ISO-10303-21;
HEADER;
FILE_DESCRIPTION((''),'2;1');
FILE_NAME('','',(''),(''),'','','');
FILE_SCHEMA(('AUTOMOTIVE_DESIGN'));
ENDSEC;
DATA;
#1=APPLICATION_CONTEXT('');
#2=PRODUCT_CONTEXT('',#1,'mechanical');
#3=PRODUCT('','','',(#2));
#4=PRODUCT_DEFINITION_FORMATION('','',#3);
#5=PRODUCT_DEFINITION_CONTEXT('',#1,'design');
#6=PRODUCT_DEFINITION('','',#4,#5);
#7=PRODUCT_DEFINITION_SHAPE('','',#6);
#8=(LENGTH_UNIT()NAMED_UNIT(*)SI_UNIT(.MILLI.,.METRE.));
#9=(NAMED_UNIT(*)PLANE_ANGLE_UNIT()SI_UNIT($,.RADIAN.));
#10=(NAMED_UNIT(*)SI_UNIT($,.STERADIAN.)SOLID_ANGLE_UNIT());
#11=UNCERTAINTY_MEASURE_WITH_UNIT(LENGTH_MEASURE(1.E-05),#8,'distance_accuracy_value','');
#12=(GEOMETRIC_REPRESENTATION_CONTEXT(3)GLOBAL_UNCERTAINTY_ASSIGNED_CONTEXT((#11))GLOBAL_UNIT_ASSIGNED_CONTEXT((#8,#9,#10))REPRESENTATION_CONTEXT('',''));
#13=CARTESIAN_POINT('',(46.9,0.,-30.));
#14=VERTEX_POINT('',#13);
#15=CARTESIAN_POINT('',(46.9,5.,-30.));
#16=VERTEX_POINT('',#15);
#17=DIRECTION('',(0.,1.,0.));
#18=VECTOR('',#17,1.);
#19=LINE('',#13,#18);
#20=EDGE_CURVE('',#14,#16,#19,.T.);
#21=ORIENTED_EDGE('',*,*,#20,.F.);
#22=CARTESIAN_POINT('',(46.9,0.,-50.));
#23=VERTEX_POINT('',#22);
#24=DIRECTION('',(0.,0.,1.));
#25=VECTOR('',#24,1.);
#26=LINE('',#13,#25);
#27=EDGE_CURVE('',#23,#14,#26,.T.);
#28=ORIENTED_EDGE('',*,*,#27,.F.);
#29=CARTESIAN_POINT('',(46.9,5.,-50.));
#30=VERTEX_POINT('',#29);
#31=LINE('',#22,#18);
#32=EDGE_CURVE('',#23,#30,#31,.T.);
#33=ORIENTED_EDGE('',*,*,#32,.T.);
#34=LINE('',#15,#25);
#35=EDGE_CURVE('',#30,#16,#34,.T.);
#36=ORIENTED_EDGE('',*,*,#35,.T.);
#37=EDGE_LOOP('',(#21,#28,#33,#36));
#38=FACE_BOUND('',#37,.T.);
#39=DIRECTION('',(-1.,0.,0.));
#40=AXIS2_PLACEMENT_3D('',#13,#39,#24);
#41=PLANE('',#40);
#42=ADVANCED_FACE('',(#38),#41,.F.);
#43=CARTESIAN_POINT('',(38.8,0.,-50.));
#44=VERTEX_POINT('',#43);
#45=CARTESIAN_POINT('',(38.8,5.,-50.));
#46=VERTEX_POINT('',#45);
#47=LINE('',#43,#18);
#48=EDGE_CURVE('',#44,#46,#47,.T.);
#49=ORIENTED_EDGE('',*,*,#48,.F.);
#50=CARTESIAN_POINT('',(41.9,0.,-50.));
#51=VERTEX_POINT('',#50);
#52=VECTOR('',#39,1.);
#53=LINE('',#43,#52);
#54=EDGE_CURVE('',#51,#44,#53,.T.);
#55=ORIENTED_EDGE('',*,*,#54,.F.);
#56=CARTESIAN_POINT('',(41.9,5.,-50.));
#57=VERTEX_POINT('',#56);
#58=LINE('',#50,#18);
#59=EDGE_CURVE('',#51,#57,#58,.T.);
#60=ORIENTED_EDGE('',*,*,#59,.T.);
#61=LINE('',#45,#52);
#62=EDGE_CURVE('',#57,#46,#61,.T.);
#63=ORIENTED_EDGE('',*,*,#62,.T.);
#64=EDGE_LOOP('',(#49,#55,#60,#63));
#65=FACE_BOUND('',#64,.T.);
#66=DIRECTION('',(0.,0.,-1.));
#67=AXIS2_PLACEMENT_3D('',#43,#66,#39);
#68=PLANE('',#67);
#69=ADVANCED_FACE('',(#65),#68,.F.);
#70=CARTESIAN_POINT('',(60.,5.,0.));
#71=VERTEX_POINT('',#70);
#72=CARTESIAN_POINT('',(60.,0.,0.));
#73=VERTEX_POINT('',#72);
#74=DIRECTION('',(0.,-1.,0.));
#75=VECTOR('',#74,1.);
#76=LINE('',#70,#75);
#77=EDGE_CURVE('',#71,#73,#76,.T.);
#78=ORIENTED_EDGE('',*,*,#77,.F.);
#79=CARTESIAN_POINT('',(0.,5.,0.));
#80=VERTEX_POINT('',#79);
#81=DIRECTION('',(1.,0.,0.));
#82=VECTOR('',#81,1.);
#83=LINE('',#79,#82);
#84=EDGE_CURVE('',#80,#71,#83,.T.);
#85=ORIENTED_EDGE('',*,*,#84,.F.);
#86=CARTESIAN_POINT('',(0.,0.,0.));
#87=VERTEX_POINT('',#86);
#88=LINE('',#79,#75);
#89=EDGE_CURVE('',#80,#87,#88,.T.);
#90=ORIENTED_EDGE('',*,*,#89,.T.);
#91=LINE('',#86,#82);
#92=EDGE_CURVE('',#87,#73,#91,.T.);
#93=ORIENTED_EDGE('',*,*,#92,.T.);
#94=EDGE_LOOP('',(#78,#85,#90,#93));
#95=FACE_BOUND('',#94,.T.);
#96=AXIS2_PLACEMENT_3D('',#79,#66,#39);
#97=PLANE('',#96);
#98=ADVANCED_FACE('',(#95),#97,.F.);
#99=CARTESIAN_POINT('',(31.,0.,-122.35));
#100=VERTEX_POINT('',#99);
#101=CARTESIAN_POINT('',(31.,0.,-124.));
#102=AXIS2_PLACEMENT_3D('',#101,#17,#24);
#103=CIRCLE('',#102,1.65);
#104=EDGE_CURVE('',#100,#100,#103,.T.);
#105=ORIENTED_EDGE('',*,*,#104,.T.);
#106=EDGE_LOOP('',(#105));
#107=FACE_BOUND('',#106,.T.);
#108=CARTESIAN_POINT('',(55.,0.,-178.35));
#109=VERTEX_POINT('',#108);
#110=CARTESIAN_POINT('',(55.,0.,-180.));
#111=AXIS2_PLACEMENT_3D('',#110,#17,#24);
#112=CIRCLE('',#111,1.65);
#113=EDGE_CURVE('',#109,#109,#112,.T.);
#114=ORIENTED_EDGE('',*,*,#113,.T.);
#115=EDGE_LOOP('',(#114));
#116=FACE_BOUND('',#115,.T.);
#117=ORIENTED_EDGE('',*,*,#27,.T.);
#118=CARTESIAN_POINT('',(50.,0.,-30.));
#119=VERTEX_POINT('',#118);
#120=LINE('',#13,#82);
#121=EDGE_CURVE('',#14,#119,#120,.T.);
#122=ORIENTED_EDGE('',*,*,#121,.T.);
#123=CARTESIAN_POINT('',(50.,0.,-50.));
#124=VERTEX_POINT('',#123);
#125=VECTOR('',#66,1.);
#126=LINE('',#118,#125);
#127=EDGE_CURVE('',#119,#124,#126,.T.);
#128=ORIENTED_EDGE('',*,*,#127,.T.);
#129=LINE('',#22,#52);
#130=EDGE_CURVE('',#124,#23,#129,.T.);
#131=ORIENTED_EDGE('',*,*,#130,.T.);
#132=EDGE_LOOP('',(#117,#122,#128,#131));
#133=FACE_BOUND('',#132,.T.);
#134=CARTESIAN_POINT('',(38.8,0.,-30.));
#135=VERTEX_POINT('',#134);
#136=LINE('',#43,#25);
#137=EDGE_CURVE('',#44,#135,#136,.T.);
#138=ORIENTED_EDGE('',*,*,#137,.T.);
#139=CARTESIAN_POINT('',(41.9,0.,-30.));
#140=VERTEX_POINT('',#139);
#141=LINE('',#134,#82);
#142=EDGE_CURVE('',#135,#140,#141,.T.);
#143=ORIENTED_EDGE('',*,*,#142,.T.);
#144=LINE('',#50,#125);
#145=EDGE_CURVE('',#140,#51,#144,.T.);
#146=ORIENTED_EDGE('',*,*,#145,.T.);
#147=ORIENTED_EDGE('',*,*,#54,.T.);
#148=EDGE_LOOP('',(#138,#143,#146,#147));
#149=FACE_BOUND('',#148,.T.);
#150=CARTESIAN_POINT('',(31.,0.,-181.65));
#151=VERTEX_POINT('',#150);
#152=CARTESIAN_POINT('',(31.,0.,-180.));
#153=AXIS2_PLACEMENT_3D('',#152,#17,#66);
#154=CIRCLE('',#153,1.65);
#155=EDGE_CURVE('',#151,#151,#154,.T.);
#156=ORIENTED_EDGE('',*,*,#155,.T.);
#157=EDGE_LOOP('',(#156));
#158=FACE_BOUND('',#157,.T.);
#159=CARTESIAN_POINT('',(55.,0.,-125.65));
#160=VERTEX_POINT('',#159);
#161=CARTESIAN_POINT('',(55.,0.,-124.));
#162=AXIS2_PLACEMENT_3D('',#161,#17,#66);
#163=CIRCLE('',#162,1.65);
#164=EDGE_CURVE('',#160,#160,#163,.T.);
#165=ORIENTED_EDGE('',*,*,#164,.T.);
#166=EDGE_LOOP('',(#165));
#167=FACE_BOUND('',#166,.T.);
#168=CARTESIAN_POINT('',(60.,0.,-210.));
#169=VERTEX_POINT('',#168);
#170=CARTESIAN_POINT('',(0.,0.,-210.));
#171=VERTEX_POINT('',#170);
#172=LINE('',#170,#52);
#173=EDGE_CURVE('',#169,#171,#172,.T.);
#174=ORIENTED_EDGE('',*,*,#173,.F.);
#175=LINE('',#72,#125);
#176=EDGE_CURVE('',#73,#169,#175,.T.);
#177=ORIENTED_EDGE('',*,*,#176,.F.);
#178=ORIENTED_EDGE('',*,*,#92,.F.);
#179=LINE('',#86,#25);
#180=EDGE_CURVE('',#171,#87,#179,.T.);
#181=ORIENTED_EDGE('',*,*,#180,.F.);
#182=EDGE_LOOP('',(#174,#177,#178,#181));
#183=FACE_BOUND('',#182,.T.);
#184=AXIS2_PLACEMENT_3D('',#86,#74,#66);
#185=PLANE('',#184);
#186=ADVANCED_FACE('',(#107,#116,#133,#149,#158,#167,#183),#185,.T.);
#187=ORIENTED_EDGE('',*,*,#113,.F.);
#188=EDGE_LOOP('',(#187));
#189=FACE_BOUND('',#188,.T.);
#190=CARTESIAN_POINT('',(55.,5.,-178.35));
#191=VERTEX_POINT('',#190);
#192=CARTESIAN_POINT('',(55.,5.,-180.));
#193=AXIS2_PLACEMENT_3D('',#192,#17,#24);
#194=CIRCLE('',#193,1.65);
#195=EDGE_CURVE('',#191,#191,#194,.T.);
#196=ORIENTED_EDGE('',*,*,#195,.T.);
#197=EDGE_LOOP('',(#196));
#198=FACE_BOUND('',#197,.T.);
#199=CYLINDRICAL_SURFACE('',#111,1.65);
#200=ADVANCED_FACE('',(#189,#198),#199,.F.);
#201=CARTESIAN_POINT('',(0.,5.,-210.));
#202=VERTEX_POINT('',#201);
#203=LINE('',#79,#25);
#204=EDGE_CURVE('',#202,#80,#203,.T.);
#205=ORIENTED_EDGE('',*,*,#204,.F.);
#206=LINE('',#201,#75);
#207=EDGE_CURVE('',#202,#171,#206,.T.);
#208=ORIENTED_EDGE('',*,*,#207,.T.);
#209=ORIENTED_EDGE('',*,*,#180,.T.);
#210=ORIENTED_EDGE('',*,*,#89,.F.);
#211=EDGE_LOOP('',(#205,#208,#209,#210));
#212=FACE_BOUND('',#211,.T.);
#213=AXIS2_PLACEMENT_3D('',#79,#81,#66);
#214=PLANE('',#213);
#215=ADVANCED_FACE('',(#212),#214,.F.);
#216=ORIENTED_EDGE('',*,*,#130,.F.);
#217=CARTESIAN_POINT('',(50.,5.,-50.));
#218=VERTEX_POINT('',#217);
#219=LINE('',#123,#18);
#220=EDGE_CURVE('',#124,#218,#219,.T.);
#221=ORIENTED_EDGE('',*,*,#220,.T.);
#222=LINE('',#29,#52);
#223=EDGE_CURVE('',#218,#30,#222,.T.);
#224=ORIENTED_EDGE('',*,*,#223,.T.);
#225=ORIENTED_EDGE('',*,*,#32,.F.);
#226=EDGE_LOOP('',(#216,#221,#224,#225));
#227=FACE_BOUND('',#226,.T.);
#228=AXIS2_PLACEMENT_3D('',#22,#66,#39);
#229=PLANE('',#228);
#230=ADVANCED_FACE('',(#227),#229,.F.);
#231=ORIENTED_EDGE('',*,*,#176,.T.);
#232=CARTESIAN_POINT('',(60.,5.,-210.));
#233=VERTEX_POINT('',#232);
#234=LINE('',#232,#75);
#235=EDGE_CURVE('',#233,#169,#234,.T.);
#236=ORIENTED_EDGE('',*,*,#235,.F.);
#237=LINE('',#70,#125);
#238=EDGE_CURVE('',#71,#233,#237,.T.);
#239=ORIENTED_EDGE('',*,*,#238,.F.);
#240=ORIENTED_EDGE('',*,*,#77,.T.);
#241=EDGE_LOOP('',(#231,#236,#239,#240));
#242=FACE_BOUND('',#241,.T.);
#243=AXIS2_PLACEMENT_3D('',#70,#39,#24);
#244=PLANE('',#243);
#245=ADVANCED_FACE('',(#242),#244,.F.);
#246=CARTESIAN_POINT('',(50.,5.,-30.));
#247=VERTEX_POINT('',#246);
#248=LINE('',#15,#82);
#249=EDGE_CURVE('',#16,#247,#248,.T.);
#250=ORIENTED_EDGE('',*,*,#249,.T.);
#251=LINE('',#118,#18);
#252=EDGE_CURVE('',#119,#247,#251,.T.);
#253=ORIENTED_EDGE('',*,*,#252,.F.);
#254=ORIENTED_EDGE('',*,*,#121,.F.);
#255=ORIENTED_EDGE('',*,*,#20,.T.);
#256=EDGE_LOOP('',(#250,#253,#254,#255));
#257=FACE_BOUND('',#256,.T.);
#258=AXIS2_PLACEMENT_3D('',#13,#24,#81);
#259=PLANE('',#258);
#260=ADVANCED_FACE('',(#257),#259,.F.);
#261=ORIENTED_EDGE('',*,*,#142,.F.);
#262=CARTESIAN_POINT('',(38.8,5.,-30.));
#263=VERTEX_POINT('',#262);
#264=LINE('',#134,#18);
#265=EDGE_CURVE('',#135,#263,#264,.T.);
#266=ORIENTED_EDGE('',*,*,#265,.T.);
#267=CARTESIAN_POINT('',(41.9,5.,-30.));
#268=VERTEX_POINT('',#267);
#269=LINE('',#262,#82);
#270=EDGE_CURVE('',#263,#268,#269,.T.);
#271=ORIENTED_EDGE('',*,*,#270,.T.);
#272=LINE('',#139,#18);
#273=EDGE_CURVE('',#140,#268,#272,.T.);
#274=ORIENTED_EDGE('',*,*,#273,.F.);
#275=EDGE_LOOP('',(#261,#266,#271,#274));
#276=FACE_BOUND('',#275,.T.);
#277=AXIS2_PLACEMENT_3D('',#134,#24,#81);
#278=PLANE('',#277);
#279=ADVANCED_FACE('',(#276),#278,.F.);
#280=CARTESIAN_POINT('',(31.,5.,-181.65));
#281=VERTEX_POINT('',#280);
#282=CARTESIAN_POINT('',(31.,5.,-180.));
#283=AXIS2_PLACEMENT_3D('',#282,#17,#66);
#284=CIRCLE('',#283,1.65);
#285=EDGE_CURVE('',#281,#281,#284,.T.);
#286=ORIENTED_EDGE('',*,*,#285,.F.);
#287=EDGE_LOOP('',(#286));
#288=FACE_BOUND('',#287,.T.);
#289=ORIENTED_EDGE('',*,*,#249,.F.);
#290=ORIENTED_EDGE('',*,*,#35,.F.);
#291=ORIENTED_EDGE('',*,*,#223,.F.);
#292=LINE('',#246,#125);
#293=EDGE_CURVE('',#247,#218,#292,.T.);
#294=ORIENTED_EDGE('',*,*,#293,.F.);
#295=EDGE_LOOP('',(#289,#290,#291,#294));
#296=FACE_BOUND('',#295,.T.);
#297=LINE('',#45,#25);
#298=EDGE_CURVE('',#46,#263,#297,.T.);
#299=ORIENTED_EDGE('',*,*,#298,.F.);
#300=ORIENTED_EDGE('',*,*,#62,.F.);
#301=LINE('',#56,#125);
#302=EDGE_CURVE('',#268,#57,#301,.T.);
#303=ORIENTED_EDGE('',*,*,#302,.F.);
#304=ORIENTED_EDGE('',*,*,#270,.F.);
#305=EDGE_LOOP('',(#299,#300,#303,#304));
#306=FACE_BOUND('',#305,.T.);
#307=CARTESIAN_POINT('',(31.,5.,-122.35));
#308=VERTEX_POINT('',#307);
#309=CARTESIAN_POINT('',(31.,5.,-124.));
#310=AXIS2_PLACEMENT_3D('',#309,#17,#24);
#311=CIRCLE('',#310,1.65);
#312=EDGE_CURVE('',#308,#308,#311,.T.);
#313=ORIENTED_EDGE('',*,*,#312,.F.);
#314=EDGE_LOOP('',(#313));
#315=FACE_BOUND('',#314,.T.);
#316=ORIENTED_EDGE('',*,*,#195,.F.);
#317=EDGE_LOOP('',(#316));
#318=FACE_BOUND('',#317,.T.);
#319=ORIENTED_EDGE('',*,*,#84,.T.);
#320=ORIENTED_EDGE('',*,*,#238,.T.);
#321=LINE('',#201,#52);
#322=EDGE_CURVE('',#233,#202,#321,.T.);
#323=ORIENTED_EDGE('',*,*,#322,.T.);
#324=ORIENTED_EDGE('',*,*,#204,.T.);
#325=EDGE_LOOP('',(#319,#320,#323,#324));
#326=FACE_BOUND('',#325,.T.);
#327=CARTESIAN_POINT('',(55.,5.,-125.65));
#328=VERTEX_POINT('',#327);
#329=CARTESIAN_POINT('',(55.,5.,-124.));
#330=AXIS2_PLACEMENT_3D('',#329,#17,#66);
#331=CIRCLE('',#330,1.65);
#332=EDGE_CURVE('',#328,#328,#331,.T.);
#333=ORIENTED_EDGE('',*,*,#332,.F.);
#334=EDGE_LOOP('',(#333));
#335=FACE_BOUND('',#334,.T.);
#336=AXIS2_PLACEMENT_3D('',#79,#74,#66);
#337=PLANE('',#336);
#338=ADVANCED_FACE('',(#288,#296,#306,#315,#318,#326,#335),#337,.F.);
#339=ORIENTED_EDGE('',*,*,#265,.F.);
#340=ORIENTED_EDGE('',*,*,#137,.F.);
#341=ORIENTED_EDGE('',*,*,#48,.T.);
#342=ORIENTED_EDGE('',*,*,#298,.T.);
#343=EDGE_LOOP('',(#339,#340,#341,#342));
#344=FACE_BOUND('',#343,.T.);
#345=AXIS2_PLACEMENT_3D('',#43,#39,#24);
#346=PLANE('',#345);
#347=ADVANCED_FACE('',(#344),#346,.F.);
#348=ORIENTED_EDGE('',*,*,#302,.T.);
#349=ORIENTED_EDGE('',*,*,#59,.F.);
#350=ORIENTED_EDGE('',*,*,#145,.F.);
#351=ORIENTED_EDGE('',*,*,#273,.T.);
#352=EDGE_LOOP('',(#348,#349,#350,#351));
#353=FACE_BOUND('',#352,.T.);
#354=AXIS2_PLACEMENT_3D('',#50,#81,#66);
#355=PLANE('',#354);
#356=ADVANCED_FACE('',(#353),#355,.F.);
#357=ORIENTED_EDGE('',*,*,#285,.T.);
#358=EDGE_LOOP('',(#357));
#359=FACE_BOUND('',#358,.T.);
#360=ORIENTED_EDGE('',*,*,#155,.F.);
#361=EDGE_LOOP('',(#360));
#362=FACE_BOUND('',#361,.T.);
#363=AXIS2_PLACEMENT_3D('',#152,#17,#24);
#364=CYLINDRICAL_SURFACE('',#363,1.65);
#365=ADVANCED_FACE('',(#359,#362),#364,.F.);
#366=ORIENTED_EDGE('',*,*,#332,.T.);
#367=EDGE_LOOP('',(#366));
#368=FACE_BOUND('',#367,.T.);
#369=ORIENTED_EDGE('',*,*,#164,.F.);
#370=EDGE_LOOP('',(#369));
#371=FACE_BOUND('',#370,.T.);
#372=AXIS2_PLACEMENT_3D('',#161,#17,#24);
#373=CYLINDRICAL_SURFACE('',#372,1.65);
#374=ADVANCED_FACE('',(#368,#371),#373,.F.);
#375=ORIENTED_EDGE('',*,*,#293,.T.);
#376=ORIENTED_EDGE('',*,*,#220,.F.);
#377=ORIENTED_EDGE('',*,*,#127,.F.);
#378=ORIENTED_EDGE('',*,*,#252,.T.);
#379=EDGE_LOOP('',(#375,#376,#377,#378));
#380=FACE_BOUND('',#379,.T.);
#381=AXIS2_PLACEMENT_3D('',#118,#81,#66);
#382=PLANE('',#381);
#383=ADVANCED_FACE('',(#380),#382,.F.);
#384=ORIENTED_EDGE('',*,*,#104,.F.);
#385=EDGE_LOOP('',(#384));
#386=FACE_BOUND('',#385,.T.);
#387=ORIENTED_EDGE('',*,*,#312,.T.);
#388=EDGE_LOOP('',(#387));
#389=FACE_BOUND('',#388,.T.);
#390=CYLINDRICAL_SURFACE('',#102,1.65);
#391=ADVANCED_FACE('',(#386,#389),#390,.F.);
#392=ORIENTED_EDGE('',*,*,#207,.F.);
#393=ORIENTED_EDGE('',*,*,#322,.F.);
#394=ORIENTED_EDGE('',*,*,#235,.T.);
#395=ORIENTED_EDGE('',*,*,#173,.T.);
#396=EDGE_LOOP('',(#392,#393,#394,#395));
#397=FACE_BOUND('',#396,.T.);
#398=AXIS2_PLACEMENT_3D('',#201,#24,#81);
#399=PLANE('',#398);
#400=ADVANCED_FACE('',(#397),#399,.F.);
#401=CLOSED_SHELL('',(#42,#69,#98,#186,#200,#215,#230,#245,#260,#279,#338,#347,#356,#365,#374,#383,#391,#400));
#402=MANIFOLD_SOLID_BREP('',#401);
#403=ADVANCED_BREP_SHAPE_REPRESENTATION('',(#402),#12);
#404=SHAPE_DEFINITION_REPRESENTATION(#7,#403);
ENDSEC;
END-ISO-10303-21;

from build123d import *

# Parameters (mm, degrees)
SKETCH1_W           = 60
SKETCH1_H           = 210
BOSS_EXTRUDE1_DEPTH = 5
SKETCH2_W           = 3.1
SKETCH2_H           = 20
CUT_EXTRUDE1_DEPTH  = 5
SKETCH3_R           = 1.65
CUT_EXTRUDE2_DEPTH  = 5


with BuildPart() as part:
    # Sketch1 → Boss-Extrude1 (new body)
    with BuildSketch(Plane(origin=(0, 0, 0), x_dir=(1, 0, 0), z_dir=(0, 1, 0))):
        with Locations((30, 105)):
            Rectangle(SKETCH1_W, SKETCH1_H)
    extrude(amount=BOSS_EXTRUDE1_DEPTH)

    # Sketch2 → Cut-Extrude1 (cut)
    with BuildSketch(Plane(origin=(0, 5, 0), x_dir=(1, 0, 0), z_dir=(0, 1, 0))):
        with Locations((48.45, 40)):
            Rectangle(SKETCH2_W, SKETCH2_H)
        with Locations((40.35, 40)):
            Rectangle(SKETCH2_W, SKETCH2_H)
    extrude(amount=-CUT_EXTRUDE1_DEPTH, mode=Mode.SUBTRACT)

    # Sketch3 → Cut-Extrude2 (cut)
    with BuildSketch(Plane(origin=(0, 5, 0), x_dir=(1, 0, 0), z_dir=(0, 1, 0))):
        with Locations(Location((55, 180, 0), (0, 0, 270))):
            Circle(SKETCH3_R)
        with Locations(Location((55, 124, 0), (0, 0, 90))):
            Circle(SKETCH3_R)
        with Locations(Location((31, 124, 0), (0, 0, 270))):
            Circle(SKETCH3_R)
        with Locations(Location((31, 180, 0), (0, 0, 90))):
            Circle(SKETCH3_R)
    extrude(amount=-CUT_EXTRUDE2_DEPTH, mode=Mode.SUBTRACT)


solid = part.part
